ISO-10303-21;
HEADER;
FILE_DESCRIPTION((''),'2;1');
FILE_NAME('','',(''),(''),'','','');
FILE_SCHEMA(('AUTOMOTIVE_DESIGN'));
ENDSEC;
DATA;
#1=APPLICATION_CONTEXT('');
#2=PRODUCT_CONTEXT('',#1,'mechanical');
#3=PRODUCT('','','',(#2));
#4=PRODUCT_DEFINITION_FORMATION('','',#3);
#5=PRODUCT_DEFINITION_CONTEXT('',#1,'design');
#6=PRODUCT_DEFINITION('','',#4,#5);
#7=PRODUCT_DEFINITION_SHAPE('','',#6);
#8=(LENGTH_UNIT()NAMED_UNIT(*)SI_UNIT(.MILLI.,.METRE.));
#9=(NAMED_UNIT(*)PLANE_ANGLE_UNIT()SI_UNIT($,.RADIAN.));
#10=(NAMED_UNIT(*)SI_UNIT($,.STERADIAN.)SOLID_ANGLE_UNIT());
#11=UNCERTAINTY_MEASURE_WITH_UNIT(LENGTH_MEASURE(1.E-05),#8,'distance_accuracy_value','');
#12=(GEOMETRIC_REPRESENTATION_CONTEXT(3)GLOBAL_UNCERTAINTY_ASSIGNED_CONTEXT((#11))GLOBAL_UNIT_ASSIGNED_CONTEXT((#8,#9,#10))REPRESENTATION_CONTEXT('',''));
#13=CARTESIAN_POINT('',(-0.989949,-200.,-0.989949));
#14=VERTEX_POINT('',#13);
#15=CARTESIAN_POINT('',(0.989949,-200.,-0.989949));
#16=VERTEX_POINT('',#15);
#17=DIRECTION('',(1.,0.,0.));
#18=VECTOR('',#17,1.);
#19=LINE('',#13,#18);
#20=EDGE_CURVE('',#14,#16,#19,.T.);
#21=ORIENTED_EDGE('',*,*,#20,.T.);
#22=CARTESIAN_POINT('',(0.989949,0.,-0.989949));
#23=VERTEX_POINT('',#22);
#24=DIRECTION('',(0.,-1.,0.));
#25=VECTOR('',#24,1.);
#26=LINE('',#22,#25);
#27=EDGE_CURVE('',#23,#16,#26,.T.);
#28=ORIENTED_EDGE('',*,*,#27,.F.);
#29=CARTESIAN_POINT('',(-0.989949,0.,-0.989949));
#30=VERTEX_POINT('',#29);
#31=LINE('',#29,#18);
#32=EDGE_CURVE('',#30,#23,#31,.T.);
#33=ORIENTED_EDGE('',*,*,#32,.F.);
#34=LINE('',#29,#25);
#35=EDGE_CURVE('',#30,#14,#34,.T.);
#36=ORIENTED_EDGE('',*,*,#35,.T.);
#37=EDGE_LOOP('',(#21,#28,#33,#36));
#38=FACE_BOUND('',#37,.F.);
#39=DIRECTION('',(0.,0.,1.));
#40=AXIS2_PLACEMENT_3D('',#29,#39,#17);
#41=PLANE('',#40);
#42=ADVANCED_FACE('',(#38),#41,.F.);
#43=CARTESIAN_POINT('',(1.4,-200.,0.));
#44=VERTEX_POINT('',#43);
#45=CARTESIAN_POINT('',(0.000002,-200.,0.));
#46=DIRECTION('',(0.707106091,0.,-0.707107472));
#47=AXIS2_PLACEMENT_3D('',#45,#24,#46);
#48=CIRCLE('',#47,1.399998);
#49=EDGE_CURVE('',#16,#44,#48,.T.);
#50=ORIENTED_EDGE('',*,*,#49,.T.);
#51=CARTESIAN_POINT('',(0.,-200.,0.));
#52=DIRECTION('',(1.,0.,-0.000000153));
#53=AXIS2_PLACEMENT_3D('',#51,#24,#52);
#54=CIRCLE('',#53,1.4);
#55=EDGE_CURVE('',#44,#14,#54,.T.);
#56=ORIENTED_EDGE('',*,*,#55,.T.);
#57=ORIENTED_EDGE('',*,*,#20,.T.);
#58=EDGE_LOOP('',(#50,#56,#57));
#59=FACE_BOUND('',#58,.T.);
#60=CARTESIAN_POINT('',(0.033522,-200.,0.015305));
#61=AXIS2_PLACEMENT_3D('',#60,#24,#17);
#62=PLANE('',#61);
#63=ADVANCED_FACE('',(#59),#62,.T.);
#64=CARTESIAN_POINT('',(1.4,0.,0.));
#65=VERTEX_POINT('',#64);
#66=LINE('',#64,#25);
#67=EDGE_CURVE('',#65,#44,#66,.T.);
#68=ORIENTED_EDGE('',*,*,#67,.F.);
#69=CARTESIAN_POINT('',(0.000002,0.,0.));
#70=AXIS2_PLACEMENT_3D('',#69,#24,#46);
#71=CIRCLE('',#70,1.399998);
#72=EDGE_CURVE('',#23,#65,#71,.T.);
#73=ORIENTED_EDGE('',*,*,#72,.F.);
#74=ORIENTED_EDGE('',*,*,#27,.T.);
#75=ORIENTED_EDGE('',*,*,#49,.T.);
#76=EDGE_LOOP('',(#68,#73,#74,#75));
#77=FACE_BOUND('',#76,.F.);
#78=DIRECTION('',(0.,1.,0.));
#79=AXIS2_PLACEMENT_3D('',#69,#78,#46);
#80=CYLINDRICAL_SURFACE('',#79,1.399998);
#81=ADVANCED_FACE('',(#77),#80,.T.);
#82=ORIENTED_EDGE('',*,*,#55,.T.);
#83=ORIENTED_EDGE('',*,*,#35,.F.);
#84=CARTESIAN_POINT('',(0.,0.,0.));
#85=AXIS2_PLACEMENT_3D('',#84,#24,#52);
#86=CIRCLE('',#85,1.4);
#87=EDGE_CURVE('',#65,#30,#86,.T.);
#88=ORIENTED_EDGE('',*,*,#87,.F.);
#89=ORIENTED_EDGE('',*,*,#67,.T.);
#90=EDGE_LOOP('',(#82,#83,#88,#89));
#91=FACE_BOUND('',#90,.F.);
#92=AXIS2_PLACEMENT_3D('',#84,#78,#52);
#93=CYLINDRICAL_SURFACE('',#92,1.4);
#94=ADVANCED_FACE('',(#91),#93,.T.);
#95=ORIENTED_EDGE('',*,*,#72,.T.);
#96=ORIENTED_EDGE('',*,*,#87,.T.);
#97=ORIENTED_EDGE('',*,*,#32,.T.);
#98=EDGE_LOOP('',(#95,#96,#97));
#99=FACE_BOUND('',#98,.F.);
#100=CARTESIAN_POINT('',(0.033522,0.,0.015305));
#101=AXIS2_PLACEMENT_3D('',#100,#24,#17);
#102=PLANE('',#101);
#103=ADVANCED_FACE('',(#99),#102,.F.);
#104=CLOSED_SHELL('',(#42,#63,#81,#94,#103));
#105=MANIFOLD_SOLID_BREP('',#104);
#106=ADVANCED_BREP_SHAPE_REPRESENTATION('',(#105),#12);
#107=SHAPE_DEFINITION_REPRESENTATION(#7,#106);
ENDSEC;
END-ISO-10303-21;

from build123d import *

# Parameters (mm, degrees)
F1_DEPTH = 200


with BuildPart() as f1:
    # F0 (on Front) → F1 (new body)
    with BuildSketch(Plane.XZ):
        with BuildLine():
            ThreePointArc((0.989949, -0.989949), (1.293431, -0.535757), (1.4, 0))
            ThreePointArc((1.4, 0), (-0.535757, 1.293431), (-0.989949, -0.989949))
            Line((-0.989949, -0.989949), (0.989949, -0.989949))
        make_face()
    extrude(amount=F1_DEPTH)


solid = f1.part
